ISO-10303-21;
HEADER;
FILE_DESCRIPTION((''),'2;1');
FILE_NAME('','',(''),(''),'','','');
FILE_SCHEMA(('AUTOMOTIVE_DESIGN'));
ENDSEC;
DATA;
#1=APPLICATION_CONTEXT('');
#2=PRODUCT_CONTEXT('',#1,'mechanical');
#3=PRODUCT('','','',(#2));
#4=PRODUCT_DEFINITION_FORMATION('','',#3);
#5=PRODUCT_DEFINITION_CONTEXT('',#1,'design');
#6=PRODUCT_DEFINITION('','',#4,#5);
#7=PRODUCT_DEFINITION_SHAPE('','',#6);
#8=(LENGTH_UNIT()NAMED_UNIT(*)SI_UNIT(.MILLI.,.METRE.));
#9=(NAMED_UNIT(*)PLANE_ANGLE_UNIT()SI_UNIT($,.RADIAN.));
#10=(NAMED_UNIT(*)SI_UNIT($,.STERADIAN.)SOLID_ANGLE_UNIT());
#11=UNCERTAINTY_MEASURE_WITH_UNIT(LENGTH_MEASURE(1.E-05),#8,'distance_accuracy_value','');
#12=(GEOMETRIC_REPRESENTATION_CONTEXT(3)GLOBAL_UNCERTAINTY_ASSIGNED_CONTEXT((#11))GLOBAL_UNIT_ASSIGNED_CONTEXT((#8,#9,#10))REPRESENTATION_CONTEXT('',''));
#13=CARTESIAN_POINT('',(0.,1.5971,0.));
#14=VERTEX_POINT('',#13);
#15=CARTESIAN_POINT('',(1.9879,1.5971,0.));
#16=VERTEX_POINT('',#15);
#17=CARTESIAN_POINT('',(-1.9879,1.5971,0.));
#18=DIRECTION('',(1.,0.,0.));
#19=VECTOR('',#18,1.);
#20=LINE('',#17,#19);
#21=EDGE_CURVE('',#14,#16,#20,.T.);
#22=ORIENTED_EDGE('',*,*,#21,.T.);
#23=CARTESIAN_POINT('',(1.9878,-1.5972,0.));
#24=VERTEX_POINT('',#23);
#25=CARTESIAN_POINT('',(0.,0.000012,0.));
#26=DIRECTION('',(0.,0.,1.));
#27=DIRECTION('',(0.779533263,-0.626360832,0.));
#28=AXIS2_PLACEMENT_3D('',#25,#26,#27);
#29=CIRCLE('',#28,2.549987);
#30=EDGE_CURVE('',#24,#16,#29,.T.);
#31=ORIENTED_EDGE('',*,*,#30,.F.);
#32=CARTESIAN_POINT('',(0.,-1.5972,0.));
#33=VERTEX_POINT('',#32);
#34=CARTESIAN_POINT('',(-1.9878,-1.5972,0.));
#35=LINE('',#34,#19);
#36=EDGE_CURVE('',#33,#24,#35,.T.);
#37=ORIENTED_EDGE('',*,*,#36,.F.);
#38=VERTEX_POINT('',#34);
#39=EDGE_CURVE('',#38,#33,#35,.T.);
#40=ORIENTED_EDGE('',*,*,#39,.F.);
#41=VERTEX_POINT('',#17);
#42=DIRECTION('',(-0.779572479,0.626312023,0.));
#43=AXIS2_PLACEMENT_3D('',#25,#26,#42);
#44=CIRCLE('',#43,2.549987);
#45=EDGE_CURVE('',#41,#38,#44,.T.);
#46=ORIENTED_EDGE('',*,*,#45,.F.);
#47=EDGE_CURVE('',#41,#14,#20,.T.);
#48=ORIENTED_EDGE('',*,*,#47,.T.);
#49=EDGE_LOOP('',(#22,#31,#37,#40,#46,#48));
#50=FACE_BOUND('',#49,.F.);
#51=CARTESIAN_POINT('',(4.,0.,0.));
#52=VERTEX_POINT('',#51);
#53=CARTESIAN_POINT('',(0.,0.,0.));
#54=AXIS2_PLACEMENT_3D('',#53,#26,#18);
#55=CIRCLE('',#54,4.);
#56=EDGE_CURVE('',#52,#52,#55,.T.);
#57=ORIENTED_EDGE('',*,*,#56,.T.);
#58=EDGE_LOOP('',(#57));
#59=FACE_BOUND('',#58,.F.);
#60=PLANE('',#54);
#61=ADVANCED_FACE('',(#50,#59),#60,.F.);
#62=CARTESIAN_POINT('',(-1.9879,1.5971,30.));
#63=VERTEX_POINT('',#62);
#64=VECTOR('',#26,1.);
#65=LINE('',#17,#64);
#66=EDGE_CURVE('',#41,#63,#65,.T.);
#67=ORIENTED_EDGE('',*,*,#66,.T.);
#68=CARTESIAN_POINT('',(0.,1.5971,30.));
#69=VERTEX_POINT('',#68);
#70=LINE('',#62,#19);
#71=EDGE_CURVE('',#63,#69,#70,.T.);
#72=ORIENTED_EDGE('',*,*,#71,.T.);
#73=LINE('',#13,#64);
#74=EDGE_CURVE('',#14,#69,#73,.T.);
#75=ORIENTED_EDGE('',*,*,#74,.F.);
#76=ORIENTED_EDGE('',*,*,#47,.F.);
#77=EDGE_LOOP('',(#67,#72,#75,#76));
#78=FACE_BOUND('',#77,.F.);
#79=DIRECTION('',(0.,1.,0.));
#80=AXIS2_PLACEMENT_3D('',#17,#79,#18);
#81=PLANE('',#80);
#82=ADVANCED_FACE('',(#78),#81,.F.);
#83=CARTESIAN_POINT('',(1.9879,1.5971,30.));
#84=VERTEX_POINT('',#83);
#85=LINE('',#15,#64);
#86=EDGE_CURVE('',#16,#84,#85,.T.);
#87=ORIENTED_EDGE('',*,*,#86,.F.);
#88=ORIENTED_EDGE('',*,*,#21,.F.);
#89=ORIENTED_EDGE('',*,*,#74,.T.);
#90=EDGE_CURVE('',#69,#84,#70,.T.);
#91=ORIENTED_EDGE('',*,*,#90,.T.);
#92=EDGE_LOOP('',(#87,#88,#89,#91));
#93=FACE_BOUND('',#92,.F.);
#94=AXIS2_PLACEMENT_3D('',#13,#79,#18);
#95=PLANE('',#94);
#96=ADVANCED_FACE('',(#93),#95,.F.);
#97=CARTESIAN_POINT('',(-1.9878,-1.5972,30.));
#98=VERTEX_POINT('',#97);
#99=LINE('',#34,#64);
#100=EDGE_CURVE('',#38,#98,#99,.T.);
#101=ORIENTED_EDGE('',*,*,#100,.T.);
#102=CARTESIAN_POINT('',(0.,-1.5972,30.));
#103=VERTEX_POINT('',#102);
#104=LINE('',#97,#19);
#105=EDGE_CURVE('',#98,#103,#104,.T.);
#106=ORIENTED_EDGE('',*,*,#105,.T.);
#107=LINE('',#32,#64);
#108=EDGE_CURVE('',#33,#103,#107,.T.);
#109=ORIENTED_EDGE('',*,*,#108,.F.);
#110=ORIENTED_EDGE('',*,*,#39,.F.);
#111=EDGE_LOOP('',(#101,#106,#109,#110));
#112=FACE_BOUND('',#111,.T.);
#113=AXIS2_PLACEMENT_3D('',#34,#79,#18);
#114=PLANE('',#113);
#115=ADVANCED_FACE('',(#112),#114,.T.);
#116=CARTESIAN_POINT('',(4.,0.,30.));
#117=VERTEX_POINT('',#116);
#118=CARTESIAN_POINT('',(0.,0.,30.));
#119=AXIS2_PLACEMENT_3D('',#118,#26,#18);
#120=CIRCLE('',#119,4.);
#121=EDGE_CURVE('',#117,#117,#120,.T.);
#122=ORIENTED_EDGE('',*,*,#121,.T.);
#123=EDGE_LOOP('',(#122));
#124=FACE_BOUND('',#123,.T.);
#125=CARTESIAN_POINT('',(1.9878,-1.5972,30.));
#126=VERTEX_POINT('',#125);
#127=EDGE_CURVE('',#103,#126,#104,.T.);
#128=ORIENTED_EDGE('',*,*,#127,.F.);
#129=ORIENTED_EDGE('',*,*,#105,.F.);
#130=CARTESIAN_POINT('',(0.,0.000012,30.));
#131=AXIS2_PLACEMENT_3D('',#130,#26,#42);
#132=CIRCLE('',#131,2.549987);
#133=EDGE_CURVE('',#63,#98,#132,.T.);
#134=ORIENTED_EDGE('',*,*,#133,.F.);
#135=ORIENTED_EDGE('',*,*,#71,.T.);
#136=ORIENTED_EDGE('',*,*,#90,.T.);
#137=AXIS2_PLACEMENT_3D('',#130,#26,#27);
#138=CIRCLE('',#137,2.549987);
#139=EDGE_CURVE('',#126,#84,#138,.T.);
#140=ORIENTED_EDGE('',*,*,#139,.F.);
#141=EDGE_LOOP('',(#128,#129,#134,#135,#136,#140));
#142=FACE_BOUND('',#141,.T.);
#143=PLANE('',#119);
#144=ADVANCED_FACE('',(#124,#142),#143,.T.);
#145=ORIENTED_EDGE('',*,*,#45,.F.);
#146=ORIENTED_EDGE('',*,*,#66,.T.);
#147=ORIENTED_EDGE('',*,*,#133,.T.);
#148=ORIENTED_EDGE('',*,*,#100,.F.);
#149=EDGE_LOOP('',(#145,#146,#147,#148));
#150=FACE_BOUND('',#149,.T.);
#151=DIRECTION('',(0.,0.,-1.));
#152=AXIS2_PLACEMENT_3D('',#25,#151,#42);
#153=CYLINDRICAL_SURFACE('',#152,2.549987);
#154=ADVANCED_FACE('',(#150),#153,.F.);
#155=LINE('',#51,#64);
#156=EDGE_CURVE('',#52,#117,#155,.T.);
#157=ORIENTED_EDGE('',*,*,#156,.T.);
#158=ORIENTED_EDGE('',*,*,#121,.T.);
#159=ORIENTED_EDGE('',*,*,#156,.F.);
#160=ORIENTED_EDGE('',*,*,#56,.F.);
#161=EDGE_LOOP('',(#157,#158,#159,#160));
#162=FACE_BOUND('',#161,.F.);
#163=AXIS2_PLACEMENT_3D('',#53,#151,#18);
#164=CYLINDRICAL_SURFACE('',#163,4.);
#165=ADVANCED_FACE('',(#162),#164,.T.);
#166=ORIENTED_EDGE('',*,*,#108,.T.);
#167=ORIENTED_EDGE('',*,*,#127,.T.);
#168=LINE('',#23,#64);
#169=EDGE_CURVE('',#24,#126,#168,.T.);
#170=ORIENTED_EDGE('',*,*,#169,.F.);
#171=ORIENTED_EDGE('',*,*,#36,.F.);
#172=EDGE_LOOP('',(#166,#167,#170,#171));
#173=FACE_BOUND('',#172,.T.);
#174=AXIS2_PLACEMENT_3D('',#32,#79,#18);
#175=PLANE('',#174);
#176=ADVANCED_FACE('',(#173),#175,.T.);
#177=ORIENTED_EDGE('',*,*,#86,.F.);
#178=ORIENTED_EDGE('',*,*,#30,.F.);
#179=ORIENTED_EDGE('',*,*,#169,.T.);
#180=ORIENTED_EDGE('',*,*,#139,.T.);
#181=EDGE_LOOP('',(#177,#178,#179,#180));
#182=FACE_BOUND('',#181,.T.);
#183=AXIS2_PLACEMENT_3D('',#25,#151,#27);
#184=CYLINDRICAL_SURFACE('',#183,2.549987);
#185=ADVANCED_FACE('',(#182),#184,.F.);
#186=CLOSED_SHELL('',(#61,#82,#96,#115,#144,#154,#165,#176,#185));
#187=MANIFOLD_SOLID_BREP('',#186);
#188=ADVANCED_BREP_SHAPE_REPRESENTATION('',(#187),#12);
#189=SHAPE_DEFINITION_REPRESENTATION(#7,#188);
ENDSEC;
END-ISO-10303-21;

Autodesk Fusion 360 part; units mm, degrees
sketch "Sketch1" plane through (0, 0, 0) normal (0, 0, 1) x (1, 0, 0)
  circle A0 centre (0, 0) radius 4
  line L0 (0, 0) -> (0, 1.6)
  line L1 (0, 0) -> (0, -1.6)
  line L2 (-1.9879, 1.5971) -> (1.9879, 1.5971)
  line L3 (-1.9878, -1.5972) -> (1.9878, -1.5972)
  arc A1 (-1.9879, 1.5971) -> (-1.9878, -1.5972) centre (0, 0) ccw
  arc A2 (1.9878, -1.5972) -> (1.9879, 1.5971) centre (0, 0) ccw
  dimension "d1" = 8
  dimension "d2" = 5.1
  dimension "d3" = 1.6
  dimension "d4" = 1.6
extrude "Extrude1" add sketch "Sketch1" along normal blind 30
